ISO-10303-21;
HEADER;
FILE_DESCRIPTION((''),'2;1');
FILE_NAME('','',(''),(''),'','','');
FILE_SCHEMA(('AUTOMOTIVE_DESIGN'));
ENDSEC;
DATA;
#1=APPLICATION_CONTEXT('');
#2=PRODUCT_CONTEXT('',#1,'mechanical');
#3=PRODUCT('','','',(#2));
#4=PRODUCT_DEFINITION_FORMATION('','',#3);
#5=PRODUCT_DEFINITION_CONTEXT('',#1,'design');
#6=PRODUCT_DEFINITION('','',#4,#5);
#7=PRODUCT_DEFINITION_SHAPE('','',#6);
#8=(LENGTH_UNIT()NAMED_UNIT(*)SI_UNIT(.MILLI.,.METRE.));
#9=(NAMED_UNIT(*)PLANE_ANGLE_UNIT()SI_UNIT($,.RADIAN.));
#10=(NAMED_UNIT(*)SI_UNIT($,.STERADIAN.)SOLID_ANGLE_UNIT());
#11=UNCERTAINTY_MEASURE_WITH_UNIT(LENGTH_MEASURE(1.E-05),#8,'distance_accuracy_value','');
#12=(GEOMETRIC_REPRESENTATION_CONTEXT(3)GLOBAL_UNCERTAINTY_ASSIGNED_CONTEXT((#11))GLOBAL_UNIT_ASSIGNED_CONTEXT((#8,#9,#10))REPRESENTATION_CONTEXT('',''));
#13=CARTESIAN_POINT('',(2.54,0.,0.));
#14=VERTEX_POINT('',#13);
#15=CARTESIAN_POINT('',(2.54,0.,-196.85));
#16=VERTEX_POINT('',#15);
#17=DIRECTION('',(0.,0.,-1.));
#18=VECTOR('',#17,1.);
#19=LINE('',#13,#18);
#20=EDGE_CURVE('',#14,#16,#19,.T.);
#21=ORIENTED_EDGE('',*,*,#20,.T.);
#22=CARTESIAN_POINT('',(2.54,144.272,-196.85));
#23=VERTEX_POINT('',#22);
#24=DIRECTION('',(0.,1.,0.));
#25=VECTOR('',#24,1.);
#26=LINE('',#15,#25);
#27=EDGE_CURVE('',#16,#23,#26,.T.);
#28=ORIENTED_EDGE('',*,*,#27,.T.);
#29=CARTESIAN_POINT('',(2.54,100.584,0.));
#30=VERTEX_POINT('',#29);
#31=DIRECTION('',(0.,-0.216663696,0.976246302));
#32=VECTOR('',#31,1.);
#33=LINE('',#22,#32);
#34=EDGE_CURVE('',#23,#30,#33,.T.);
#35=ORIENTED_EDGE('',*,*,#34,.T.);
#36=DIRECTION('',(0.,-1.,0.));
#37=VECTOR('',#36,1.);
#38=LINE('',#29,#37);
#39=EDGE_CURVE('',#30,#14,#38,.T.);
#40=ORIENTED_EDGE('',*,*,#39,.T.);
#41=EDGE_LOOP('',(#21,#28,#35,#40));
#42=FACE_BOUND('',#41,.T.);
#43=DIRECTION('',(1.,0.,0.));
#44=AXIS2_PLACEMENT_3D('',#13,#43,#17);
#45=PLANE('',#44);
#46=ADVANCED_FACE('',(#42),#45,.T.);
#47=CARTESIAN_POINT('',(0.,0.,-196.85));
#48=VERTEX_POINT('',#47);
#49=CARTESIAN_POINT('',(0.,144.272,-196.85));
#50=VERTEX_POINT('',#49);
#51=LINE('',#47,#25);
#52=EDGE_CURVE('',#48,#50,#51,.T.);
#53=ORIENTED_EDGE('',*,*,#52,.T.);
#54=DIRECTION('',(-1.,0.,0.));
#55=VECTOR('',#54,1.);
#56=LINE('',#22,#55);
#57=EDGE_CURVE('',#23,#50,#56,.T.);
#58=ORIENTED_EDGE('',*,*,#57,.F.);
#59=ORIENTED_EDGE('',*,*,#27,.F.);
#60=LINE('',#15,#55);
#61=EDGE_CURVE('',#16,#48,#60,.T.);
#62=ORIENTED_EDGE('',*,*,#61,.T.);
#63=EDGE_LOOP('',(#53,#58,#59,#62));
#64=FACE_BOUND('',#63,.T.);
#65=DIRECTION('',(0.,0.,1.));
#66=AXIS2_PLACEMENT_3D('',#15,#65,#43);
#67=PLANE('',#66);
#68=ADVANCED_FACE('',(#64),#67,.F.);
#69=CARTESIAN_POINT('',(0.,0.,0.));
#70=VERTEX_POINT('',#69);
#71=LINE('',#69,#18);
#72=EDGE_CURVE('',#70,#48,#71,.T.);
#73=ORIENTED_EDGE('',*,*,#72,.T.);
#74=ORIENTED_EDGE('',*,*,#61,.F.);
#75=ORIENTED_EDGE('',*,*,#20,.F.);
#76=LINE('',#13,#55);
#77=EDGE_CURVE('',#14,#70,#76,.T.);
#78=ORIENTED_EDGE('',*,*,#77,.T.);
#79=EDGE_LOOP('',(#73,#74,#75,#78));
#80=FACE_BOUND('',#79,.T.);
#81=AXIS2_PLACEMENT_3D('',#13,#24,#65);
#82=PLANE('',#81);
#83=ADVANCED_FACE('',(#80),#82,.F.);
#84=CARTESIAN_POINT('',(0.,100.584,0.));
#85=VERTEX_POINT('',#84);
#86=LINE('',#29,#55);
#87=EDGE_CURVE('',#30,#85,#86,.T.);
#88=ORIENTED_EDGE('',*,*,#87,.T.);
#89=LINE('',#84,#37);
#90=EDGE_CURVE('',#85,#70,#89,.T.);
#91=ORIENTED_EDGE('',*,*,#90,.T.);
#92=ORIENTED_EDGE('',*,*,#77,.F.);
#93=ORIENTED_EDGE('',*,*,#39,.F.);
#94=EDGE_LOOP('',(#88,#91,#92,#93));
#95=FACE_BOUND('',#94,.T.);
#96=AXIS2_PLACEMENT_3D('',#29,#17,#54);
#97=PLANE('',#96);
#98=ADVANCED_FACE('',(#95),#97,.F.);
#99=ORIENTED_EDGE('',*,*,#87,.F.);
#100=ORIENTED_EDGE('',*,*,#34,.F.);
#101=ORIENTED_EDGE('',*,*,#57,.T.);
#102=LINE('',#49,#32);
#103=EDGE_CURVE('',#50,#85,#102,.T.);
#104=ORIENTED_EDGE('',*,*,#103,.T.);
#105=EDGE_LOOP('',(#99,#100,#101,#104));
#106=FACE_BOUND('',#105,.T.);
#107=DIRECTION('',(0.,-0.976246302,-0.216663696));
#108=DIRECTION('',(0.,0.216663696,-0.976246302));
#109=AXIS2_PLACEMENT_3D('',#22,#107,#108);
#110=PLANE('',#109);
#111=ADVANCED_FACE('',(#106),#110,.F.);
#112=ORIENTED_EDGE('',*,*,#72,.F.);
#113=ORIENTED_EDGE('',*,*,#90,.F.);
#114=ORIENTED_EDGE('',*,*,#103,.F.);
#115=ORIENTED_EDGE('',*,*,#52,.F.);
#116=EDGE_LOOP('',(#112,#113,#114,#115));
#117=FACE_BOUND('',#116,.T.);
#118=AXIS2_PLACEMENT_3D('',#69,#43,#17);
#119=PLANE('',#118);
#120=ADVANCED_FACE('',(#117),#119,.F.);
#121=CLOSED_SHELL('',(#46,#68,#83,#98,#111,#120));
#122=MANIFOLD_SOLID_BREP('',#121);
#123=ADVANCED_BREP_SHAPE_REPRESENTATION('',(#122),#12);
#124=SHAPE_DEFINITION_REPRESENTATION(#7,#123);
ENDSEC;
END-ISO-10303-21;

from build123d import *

# Parameters (mm, degrees)
BOSS_EXTRUDE1_DEPTH = 2.54


with BuildPart() as part:
    # Sketch1 → Boss-Extrude1 (new body)
    with BuildSketch(Plane(origin=(0, 0, 0), x_dir=(0, 0, -1), z_dir=(1, 0, 0))):
        Polygon((0, 0), (196.85, 0), (196.85, 144.272), (0, 100.584), align=None)
    extrude(amount=BOSS_EXTRUDE1_DEPTH)


solid = part.part
